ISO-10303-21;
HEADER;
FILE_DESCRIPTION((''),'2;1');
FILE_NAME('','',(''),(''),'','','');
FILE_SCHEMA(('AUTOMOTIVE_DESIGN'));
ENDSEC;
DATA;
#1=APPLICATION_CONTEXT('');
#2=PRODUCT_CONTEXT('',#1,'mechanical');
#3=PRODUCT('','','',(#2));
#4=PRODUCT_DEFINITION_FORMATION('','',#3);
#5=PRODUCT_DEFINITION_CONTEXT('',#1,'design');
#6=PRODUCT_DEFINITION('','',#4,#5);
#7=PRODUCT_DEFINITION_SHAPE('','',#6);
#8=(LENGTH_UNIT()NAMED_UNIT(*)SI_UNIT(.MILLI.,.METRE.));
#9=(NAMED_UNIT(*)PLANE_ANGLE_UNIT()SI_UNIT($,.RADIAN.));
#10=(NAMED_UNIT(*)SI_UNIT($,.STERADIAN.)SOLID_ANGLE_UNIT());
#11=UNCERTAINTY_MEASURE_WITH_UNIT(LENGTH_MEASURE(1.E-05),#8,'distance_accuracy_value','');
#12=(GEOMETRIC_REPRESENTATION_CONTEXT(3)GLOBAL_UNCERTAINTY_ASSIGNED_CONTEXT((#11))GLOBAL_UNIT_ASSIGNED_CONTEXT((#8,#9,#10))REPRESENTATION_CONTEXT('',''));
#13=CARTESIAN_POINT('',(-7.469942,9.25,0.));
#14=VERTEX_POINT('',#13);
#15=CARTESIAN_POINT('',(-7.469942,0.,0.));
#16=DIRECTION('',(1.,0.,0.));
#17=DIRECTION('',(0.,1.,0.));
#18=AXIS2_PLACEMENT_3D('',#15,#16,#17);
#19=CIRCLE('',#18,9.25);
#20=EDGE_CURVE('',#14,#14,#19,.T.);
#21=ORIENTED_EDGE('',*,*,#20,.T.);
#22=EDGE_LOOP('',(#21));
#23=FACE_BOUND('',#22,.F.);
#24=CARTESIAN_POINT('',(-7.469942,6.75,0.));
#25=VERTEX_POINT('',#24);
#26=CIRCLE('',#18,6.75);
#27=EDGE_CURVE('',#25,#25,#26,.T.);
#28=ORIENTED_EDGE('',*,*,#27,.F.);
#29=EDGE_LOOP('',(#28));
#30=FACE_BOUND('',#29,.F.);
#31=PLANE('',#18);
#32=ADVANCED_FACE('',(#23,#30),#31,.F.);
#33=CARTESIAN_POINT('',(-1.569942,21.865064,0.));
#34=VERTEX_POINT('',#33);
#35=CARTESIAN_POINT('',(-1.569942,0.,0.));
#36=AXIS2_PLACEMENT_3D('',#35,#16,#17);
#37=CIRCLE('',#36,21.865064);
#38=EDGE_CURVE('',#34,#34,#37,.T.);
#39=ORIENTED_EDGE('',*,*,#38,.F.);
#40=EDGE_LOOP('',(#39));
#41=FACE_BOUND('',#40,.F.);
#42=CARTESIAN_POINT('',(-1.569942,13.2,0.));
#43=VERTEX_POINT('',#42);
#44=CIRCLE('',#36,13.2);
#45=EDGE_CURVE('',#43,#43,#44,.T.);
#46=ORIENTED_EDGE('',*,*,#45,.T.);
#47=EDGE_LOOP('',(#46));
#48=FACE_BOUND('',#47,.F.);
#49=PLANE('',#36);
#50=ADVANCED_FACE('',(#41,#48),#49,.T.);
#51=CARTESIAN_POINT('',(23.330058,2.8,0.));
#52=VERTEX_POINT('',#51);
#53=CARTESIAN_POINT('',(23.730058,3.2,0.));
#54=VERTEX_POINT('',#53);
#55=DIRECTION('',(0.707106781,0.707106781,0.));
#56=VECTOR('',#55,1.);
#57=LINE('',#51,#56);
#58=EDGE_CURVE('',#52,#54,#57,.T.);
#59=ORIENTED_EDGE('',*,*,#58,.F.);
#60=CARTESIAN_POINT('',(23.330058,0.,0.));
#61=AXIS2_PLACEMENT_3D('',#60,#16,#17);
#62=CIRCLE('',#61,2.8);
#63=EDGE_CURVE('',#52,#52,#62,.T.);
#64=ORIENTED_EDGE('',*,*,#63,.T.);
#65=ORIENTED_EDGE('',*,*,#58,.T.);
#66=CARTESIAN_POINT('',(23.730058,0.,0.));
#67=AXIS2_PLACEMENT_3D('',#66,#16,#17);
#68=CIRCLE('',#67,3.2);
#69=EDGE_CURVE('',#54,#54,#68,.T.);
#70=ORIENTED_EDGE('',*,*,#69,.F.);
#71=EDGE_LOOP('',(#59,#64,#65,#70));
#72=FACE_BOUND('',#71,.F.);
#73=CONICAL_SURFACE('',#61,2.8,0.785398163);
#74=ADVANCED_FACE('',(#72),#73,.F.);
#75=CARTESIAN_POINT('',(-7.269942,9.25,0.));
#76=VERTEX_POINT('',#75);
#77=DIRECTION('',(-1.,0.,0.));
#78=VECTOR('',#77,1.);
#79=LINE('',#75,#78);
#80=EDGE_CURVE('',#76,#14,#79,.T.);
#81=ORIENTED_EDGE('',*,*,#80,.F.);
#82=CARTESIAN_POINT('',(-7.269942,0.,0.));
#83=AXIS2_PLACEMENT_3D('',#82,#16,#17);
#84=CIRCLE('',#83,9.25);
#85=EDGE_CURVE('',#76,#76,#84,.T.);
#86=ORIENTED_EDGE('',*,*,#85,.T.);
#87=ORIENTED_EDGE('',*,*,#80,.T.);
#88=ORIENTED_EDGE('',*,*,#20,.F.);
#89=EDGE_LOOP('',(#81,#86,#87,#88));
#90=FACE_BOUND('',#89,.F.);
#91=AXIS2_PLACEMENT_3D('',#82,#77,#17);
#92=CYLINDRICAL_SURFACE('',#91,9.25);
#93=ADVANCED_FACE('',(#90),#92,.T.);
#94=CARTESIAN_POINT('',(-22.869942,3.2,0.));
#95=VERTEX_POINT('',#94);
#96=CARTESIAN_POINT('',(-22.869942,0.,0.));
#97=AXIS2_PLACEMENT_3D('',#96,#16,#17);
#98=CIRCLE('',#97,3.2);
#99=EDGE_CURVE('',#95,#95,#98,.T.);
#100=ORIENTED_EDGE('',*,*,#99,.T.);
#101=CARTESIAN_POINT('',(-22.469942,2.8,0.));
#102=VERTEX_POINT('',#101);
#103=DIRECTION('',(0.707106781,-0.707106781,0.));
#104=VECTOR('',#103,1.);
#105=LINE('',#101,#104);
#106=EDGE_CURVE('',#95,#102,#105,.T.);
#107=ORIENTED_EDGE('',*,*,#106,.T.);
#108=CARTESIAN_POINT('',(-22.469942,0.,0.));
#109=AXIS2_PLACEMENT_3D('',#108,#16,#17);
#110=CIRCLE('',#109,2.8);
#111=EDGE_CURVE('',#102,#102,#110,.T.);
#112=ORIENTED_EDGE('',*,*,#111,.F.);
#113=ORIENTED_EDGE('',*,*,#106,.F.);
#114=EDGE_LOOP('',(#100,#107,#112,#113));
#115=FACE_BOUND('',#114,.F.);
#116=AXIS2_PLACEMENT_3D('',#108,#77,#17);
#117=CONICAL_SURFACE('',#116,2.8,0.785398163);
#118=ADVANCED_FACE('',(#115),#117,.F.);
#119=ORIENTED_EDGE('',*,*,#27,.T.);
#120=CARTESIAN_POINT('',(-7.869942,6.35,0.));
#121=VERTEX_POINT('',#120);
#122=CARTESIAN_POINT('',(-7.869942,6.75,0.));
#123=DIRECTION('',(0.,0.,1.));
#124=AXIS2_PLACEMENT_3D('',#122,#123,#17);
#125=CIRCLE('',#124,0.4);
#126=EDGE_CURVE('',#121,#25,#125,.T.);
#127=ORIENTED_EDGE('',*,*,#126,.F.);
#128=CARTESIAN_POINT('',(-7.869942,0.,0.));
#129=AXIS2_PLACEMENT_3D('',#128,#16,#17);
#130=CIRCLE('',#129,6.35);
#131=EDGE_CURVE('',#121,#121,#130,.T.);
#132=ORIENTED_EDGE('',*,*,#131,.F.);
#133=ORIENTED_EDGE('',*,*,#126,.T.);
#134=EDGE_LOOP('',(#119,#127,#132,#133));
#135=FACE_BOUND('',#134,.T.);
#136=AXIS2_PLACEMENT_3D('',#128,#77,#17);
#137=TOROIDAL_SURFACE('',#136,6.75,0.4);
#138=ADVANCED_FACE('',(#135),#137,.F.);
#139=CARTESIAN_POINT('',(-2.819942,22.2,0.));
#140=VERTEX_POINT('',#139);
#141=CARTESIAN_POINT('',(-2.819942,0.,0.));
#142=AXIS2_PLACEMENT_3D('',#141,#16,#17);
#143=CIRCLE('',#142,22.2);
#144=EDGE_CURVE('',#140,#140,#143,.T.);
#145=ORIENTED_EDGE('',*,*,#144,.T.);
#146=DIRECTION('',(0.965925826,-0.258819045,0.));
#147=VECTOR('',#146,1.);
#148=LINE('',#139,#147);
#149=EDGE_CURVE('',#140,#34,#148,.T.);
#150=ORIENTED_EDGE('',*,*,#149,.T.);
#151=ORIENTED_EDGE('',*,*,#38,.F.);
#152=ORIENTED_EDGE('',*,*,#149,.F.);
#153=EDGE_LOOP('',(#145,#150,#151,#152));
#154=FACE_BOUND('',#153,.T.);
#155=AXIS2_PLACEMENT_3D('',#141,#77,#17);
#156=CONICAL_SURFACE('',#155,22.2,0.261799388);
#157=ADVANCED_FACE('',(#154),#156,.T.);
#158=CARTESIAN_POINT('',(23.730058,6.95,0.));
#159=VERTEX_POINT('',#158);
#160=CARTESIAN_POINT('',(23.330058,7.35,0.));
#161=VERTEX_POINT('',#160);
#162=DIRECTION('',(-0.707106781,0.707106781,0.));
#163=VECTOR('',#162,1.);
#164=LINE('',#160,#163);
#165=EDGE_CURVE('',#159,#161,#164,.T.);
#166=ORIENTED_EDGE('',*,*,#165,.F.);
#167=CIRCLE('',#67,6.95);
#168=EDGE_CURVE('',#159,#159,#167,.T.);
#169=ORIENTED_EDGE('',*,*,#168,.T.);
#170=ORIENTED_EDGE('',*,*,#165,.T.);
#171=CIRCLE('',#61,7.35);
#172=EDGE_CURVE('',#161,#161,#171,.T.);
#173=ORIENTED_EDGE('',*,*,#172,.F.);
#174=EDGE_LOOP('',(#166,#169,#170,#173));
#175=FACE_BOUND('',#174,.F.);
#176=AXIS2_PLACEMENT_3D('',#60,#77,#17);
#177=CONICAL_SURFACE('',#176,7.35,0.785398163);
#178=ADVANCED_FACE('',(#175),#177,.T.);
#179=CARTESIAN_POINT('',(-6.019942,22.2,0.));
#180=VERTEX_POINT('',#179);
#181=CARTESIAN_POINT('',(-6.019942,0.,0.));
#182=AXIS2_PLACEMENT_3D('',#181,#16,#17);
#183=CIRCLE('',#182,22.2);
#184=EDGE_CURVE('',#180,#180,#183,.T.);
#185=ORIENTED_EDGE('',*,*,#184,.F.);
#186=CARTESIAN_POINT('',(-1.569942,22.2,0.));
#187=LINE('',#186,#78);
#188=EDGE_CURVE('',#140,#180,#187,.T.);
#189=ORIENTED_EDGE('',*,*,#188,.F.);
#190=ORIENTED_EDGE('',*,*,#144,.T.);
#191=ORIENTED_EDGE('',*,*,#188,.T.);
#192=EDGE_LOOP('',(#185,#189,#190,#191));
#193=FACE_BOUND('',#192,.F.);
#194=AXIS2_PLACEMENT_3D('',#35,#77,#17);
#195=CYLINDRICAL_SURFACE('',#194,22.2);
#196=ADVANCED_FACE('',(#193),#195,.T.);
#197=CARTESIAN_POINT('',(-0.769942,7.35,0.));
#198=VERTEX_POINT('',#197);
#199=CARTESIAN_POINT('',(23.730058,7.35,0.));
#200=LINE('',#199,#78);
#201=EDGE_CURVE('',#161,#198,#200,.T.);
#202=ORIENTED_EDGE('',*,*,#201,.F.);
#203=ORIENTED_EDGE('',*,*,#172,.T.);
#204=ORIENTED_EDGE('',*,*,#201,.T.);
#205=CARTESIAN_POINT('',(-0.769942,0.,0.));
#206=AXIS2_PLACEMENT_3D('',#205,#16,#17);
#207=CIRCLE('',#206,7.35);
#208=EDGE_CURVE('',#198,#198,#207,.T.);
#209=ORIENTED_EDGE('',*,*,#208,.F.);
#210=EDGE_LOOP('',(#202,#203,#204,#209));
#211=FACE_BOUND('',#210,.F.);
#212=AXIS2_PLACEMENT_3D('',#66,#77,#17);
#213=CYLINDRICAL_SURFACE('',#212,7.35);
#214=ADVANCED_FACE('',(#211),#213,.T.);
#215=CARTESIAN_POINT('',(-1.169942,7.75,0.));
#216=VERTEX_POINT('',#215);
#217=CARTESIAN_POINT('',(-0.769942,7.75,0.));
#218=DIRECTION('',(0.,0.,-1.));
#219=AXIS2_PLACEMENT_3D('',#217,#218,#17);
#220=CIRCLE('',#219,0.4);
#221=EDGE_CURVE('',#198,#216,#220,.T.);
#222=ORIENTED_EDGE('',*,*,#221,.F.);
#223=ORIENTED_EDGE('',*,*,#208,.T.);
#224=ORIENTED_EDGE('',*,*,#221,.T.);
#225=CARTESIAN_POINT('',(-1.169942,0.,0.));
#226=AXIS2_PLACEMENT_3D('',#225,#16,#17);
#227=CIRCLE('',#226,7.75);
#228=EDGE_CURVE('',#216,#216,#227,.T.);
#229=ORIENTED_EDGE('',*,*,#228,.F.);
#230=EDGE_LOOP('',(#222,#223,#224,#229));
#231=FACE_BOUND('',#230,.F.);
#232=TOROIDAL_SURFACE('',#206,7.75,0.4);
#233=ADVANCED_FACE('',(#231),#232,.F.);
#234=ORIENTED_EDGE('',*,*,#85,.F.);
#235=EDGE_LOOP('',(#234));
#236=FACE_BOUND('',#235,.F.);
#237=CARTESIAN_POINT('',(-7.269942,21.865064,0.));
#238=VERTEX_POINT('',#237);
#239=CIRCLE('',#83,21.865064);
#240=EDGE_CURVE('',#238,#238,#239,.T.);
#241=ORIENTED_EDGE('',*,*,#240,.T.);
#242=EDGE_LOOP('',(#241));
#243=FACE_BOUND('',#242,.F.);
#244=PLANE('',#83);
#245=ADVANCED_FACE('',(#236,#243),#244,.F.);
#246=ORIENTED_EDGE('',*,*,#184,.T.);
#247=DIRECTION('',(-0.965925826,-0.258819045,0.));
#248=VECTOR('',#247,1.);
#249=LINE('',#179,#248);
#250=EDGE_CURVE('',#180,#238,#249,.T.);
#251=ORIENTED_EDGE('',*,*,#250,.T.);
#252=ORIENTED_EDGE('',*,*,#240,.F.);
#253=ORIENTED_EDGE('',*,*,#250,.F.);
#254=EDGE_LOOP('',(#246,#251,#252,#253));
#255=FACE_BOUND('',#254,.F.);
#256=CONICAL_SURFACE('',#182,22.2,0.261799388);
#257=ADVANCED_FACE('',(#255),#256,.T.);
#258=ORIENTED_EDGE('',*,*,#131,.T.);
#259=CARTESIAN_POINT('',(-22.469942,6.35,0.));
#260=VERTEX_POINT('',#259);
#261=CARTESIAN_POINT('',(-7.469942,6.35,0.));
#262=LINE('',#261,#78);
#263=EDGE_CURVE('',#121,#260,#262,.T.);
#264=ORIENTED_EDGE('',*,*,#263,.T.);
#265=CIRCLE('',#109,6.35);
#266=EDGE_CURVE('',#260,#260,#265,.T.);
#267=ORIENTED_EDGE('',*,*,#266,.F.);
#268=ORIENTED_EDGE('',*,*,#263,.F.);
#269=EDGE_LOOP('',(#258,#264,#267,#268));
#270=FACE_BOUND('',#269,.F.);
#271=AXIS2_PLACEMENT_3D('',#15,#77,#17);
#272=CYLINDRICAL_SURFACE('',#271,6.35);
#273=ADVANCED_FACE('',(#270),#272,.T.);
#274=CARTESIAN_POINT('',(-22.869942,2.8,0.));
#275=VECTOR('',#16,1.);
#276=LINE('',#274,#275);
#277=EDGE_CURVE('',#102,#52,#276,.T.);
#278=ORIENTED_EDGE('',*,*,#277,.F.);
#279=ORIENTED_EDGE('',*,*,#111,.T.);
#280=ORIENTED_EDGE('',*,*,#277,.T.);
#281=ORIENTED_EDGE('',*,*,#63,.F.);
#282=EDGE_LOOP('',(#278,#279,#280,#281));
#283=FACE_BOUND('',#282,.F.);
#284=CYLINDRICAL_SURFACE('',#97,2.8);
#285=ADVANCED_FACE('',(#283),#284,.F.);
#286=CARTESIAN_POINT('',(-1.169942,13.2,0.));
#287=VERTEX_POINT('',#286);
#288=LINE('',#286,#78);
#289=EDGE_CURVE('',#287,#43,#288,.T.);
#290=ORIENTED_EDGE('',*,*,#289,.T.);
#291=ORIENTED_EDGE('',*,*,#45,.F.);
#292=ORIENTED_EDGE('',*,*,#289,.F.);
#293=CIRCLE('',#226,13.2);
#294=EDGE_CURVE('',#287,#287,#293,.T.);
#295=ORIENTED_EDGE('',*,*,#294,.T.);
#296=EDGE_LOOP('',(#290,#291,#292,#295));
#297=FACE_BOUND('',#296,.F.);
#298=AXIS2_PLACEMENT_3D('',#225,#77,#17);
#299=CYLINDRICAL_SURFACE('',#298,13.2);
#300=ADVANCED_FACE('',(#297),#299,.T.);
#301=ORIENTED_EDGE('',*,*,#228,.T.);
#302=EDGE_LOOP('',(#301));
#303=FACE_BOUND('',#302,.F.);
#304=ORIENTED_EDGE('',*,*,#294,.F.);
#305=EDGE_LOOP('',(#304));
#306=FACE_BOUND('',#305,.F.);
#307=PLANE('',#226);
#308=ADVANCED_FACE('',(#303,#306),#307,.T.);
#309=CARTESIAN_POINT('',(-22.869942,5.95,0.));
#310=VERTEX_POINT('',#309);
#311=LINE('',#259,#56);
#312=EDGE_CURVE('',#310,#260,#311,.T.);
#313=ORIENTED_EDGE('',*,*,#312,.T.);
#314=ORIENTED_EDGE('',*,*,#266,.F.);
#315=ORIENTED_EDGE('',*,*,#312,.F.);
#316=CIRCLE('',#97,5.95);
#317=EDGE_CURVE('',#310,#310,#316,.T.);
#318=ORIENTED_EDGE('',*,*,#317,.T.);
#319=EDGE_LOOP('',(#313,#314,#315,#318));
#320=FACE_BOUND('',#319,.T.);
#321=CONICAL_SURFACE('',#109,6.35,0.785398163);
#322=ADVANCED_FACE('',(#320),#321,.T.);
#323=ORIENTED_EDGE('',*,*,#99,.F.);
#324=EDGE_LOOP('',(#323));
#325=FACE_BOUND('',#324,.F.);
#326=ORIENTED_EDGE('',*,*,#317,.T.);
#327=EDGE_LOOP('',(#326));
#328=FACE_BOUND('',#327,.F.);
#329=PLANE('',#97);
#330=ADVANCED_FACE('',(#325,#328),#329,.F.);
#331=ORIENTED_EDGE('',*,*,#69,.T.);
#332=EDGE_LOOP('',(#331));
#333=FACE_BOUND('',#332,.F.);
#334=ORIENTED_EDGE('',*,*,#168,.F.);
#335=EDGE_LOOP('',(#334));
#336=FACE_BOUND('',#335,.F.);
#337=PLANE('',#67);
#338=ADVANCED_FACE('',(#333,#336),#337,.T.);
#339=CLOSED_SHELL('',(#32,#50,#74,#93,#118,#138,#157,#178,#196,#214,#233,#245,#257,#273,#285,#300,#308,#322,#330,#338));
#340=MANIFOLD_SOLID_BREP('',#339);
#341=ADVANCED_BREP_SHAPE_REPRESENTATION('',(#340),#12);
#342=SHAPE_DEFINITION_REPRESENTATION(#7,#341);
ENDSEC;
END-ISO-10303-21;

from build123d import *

# Parameters (mm, degrees)
F2_SIZE  = 0.4
F3_R     = 0.4
F4_SIZE2 = 0.3349364905
F4_SIZE  = 1.25


with BuildPart() as f1:
    # F0 (on Top) → F1 (revolve)
    with BuildSketch(Plane.XY):
        Polygon((-22.8699422013, 6.35), (-22.8699422013, 2.8), (23.7300577987, 2.8), (23.7300577987, 7.35), (-1.1699422013, 7.35), (-1.1699422013, 13.2), (-1.5699422013, 13.2), (-1.5699422013, 22.2), (-7.2699422013, 22.2), (-7.2699422013, 9.25), (-7.4699422013, 9.25), (-7.4699422013, 6.35), align=None)
    revolve(axis=Axis((0.339884735, 0, 0), (1, 0, 0)))

    # F2
    f2_edges = [f1.edges().sort_by_distance(p)[0] for p in [
        (23.730058, -7.35, 0),
        (-22.869942, -6.35, 0),
        (-22.869942, -2.8, 0),
        (23.730058, -2.8, 0),
    ]]
    chamfer(f2_edges, length=F2_SIZE)

    # F3
    f3_edges = [f1.edges().sort_by_distance(p)[0] for p in [
        (-7.469942, -6.35, 0),
        (-1.169942, -7.35, 0),
    ]]
    fillet(f3_edges, radius=F3_R)

    # F4
    f4_edges = [f1.edges().sort_by_distance(p)[0] for p in [
        (-1.569942, -22.2, 0),
        (-7.269942, -22.2, 0),
    ]]
    f4_side = f1.faces().sort_by_distance((-4.419942, -22.2, 0))[0]
    chamfer(f4_edges, length=F4_SIZE, length2=F4_SIZE2, reference=f4_side)


solid = f1.part
